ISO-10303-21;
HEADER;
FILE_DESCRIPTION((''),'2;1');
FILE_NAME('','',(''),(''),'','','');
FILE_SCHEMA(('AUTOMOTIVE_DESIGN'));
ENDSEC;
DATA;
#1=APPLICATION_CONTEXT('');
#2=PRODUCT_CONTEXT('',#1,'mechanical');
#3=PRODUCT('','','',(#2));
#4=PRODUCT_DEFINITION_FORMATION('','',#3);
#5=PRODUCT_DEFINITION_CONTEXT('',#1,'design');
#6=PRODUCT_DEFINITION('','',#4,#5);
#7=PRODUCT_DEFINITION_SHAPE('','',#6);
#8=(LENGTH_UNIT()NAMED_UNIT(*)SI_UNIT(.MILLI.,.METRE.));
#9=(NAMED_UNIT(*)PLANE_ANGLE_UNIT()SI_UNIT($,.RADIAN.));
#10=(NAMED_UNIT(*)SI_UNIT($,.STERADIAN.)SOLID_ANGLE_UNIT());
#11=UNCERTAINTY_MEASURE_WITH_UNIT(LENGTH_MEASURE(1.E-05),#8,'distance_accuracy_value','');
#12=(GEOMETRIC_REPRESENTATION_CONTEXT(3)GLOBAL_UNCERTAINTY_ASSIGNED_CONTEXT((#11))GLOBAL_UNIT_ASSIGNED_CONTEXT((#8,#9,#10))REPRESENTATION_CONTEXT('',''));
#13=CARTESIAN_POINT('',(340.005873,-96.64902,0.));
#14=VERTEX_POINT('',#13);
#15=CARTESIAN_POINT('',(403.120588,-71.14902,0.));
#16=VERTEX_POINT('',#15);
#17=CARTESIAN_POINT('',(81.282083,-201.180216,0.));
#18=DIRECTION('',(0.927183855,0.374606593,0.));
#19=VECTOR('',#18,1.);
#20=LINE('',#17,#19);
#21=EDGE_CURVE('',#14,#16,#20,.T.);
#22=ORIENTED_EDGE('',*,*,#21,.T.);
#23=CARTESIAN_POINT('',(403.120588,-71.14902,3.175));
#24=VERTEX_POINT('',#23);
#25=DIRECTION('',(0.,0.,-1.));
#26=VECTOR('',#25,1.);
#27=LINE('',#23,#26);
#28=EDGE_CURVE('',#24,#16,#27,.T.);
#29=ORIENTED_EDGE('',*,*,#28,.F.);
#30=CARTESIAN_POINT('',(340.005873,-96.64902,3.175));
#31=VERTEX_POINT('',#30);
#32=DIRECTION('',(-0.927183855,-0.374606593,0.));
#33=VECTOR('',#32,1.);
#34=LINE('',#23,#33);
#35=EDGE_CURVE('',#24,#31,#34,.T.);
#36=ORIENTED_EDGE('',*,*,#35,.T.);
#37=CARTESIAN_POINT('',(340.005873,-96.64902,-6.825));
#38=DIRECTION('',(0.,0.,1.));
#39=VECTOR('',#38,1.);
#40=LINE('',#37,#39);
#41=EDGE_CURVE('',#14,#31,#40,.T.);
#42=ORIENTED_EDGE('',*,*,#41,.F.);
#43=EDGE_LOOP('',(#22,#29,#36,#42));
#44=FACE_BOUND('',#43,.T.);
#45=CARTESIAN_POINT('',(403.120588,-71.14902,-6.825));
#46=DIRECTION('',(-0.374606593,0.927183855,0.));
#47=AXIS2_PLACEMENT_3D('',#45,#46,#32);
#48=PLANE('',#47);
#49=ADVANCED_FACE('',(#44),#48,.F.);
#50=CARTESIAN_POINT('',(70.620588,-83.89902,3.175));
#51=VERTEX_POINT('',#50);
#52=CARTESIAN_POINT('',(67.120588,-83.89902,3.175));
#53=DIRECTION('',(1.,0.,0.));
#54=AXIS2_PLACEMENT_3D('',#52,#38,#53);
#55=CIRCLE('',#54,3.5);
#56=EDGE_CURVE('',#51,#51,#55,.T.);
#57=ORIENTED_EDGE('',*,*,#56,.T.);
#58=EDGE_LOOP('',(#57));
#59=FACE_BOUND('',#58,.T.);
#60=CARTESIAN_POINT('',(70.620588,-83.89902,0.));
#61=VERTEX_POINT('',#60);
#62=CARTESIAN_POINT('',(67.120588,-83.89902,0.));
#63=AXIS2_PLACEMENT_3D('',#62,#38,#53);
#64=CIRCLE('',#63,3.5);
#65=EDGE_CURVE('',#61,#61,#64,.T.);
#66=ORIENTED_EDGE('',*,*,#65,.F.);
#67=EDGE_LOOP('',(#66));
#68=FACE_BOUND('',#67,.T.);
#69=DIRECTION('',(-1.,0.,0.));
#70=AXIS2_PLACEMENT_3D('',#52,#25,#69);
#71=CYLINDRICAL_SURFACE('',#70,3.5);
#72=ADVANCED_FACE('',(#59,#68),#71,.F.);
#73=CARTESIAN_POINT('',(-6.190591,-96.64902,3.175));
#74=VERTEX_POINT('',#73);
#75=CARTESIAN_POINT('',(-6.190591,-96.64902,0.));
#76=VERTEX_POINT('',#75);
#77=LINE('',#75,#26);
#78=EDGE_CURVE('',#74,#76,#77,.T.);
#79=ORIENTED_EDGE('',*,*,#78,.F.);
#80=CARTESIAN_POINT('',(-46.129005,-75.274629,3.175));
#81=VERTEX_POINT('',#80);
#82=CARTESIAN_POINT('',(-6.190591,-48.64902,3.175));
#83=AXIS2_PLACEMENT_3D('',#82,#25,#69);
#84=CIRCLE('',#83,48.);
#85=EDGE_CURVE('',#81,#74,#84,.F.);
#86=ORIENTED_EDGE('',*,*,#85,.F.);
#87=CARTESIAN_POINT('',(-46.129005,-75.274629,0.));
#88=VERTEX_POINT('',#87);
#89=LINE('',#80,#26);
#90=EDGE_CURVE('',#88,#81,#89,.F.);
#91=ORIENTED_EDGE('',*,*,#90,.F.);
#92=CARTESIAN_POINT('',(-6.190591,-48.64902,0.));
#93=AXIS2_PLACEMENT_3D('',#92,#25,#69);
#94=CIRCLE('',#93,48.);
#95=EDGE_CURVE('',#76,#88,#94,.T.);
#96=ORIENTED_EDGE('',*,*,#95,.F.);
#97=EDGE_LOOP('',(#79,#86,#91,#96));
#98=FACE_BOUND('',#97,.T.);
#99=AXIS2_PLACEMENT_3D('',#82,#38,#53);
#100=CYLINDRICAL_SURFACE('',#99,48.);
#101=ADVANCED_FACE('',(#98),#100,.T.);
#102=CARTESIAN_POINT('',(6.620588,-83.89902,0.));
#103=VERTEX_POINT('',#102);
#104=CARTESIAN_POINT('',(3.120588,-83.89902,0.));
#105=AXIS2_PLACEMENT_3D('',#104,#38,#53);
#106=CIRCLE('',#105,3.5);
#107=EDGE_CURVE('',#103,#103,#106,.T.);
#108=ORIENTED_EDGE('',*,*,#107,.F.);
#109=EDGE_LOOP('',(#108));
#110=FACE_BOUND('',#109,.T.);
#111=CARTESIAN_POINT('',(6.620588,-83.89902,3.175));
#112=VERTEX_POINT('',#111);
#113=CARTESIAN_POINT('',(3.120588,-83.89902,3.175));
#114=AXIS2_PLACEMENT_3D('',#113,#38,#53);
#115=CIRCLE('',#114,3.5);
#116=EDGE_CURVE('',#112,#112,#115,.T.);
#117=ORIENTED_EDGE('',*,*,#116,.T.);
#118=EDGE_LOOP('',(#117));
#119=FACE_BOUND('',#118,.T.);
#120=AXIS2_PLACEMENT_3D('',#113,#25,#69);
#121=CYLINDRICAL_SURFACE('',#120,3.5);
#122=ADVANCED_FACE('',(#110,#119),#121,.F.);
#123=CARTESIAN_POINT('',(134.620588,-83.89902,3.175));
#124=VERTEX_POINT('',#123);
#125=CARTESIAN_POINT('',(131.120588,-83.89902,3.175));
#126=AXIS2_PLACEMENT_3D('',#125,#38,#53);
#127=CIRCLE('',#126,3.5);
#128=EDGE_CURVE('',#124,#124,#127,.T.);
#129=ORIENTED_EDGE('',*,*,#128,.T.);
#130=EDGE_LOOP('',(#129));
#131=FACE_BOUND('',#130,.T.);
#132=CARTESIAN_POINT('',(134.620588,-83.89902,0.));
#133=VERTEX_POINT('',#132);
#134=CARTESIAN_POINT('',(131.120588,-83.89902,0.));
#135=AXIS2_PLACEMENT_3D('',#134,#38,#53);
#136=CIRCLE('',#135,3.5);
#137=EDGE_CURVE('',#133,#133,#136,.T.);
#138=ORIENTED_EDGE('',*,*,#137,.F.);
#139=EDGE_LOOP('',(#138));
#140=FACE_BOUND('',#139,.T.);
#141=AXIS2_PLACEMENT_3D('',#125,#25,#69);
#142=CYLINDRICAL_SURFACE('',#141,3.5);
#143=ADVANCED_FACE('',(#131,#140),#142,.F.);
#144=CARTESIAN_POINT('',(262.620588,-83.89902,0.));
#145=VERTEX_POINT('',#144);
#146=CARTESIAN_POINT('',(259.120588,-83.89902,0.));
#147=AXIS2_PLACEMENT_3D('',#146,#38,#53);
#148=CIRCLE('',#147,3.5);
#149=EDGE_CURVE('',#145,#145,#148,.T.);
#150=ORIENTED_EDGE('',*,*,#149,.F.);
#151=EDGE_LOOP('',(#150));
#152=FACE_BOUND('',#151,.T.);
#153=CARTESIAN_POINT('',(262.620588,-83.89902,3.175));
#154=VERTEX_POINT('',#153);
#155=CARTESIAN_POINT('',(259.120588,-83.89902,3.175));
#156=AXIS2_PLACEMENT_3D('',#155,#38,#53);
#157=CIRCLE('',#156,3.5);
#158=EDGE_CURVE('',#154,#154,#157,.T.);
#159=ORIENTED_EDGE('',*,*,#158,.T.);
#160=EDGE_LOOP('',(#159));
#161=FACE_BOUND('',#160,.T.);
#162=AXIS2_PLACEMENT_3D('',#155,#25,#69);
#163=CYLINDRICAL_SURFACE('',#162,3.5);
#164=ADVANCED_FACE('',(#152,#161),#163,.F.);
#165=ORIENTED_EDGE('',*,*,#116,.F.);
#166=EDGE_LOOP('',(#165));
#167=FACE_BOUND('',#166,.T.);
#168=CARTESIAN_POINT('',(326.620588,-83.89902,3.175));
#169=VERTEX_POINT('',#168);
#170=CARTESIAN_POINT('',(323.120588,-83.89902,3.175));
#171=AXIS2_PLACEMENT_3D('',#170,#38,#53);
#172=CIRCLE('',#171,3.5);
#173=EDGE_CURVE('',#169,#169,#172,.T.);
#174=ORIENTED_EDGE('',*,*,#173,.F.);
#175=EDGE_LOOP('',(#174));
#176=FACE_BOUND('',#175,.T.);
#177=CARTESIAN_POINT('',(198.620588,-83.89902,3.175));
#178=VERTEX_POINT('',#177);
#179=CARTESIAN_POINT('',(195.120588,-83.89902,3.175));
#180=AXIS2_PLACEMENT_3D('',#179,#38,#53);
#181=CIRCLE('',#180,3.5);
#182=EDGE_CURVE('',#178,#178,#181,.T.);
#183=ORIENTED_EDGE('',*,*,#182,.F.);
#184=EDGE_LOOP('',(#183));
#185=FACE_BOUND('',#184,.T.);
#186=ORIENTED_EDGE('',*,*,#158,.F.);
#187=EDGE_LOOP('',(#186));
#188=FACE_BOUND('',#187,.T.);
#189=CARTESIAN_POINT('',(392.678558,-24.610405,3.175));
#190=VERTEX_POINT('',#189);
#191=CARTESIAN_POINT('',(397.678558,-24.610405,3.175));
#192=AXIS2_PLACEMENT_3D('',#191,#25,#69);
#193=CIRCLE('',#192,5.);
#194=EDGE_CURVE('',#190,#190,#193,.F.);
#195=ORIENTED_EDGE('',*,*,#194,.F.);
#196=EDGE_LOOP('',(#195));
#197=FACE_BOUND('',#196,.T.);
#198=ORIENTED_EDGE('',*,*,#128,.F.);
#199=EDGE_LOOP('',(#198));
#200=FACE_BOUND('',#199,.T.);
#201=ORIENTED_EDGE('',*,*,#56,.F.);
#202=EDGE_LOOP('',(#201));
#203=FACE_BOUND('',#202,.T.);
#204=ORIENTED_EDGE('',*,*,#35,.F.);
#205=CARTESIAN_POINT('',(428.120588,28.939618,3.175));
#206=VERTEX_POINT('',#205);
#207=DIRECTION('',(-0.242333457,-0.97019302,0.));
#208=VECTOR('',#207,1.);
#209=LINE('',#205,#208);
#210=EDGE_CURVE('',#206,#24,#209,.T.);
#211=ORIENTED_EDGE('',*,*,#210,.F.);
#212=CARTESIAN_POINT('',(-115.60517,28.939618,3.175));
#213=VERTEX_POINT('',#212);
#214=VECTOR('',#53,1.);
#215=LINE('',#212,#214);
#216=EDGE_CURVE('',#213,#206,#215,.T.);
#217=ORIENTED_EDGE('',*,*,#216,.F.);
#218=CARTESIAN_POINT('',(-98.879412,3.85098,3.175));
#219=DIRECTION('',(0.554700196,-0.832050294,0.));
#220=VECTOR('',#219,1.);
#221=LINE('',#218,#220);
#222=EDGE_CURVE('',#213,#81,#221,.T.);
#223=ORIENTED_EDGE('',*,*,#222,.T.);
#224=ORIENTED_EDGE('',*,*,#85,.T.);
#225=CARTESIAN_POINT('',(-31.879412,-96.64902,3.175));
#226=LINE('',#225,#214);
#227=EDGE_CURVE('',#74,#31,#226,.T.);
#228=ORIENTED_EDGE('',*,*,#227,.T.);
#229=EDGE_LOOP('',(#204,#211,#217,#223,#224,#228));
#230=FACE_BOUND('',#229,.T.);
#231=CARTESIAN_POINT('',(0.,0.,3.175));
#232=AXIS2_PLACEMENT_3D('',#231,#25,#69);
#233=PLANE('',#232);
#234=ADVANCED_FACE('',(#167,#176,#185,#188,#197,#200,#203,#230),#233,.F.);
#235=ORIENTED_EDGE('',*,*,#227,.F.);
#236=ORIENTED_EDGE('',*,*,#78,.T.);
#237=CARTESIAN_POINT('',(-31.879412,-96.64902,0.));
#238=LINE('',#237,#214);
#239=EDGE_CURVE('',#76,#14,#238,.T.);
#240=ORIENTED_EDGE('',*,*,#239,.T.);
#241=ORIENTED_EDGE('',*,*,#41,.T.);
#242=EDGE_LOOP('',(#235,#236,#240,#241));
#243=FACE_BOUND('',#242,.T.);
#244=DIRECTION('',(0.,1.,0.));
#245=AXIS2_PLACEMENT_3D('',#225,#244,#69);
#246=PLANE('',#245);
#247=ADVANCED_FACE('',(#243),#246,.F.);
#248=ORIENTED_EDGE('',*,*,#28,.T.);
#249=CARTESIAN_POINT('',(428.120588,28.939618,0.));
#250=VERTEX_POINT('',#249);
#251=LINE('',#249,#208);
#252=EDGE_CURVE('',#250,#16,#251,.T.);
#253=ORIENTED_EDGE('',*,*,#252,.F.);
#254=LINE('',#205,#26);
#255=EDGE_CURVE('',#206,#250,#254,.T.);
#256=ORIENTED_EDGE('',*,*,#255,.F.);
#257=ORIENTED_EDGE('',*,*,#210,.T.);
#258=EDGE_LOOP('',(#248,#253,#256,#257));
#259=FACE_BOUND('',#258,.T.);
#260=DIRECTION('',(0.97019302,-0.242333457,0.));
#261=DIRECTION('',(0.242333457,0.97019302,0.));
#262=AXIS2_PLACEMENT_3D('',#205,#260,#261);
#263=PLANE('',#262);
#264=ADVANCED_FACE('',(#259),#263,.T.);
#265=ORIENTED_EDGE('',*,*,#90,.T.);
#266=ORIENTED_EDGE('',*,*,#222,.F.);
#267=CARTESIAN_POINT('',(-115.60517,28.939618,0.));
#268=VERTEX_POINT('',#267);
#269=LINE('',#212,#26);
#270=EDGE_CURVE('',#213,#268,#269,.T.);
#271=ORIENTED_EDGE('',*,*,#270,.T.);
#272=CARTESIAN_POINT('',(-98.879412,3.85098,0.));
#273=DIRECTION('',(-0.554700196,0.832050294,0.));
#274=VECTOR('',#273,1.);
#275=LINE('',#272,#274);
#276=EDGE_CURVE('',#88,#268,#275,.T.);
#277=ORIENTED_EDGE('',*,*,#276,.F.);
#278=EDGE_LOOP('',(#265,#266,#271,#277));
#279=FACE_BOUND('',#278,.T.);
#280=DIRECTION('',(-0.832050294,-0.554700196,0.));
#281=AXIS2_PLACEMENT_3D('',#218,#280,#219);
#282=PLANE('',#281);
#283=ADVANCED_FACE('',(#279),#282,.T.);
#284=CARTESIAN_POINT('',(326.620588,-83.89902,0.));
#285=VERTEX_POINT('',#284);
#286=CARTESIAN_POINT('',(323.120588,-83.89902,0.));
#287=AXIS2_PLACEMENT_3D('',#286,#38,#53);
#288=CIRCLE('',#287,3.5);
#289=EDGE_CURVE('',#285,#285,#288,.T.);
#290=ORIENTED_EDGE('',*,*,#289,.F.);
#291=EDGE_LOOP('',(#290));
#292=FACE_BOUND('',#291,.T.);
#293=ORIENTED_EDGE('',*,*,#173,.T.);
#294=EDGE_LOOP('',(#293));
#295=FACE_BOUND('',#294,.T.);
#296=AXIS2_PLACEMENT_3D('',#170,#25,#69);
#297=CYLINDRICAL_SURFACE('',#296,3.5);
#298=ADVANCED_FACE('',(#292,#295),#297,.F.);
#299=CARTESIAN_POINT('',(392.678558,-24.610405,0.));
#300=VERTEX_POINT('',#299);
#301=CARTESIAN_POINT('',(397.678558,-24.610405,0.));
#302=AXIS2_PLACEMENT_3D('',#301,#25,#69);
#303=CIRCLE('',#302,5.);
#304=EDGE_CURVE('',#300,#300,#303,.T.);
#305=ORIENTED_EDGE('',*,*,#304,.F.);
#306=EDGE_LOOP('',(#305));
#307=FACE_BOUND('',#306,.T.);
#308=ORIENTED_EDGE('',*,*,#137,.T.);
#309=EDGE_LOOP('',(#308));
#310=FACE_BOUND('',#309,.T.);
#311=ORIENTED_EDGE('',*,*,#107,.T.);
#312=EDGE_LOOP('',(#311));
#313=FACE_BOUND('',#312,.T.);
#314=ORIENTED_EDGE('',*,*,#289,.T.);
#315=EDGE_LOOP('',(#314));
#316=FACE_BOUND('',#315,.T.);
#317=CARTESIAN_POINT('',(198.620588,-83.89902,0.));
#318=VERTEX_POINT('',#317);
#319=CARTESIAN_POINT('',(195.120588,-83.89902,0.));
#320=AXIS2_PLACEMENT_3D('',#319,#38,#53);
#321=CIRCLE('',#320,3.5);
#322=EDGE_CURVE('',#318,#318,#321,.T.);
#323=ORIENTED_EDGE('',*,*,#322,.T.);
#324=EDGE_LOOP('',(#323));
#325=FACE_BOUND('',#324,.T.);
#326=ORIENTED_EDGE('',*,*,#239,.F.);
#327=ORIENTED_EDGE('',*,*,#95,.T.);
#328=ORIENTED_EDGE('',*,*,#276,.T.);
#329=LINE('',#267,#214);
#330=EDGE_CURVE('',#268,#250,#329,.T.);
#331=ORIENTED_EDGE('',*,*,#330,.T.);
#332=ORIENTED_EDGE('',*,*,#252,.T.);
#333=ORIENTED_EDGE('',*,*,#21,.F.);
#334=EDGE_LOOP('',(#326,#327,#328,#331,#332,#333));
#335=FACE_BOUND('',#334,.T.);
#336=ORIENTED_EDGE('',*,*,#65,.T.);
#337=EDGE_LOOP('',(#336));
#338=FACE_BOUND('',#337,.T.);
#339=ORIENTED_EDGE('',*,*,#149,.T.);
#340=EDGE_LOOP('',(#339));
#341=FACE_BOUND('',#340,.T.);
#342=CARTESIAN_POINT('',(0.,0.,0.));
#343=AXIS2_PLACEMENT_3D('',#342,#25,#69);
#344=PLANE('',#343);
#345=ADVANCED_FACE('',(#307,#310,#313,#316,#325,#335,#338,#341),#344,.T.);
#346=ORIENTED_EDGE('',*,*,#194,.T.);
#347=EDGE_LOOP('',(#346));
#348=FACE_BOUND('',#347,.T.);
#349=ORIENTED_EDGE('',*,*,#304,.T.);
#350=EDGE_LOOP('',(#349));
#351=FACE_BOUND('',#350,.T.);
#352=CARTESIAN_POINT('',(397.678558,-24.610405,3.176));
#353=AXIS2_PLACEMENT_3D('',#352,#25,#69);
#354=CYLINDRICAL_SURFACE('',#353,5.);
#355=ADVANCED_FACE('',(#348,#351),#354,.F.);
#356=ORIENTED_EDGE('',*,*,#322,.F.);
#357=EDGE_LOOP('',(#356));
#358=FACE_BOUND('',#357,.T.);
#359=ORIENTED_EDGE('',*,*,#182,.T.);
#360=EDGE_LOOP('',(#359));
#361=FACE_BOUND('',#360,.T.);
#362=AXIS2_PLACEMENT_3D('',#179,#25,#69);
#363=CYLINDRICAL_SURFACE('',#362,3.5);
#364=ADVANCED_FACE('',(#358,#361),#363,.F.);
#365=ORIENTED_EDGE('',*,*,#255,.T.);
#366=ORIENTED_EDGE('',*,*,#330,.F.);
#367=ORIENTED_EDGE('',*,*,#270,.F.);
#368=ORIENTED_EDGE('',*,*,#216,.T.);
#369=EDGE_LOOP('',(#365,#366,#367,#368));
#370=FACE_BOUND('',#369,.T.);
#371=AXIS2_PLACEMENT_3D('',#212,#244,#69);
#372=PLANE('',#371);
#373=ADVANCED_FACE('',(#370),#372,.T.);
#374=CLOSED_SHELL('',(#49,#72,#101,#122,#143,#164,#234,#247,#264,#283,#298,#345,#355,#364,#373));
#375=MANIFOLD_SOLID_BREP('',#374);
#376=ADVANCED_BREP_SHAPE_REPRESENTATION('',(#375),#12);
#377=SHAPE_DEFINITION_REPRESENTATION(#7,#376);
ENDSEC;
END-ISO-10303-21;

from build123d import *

# Parameters (mm, degrees)
BOSS_EXTRUDE1_DEPTH = 3.175
SKETCH1_4_R         = 3.5
CUT_EXTRUDE1_DEPTH  = 439.905857431
FILLET1_R           = 48
CUT_EXTRUDE3_DEPTH  = 10
CUT_EXTRUDE5_REACH  = 440.906
SKETCH11_R          = 5


with BuildPart() as part:
    # Sketch1 → Boss-Extrude1 (new body)
    with BuildSketch(Plane.XY):
        Polygon((-98.879411765, 3.850980392), (-31.879411765, -96.649019608), (366, -96.649019608), (403.120588235, -71.149019608), (428.120588235, 28.939617947), (-115.605170134, 28.939617947), align=None)
    extrude(amount=BOSS_EXTRUDE1_DEPTH)

    # Sketch1<4> → Cut-Extrude1 (cut, through all)
    with BuildSketch(Plane.XY):
        with Locations((3.120588235, -83.899019608)):
            Circle(SKETCH1_4_R)
        with Locations((67.120588235, -83.899019608)):
            Circle(SKETCH1_4_R)
        with Locations((131.120588235, -83.899019608)):
            Circle(SKETCH1_4_R)
        with Locations((195.120588235, -83.899019608)):
            Circle(SKETCH1_4_R)
        with Locations((259.120588235, -83.899019608)):
            Circle(SKETCH1_4_R)
        with Locations((323.120588235, -83.899019608)):
            Circle(SKETCH1_4_R)
    extrude(amount=CUT_EXTRUDE1_DEPTH, mode=Mode.SUBTRACT)

    # Fillet1
    fillet1_edges = [part.edges().sort_by_distance(p)[0] for p in [
        (-31.879411765, -96.649019608, 1.5875),
    ]]
    fillet(fillet1_edges, radius=FILLET1_R)

    # Sketch7 → Cut-Extrude3 (cut)
    with BuildSketch(Plane.XY.offset(3.175)):
        Polygon((403.120588235, -71.149019608), (340.005873473, -96.649019608), (366, -96.649019608), align=None)
    extrude(amount=-CUT_EXTRUDE3_DEPTH, mode=Mode.SUBTRACT)

    # Sketch11 → Cut-Extrude5 (cut, up to next)
    with BuildSketch(Plane(origin=(0, 0, 0), x_dir=(-1, 0, 0), z_dir=(0, 0, -1)), mode=Mode.PRIVATE) as cut_extrude5_sk1:
        with Locations((-397.678558137, -24.610405219)):
            Circle(SKETCH11_R)
    cut_extrude5_tool1 = extrude(cut_extrude5_sk1.sketch, amount=-CUT_EXTRUDE5_REACH, mode=Mode.PRIVATE) & part.part
    add(cut_extrude5_tool1.solids().sort_by_distance((397.678558, -24.610405, 0))[0], mode=Mode.SUBTRACT)


solid = part.part
